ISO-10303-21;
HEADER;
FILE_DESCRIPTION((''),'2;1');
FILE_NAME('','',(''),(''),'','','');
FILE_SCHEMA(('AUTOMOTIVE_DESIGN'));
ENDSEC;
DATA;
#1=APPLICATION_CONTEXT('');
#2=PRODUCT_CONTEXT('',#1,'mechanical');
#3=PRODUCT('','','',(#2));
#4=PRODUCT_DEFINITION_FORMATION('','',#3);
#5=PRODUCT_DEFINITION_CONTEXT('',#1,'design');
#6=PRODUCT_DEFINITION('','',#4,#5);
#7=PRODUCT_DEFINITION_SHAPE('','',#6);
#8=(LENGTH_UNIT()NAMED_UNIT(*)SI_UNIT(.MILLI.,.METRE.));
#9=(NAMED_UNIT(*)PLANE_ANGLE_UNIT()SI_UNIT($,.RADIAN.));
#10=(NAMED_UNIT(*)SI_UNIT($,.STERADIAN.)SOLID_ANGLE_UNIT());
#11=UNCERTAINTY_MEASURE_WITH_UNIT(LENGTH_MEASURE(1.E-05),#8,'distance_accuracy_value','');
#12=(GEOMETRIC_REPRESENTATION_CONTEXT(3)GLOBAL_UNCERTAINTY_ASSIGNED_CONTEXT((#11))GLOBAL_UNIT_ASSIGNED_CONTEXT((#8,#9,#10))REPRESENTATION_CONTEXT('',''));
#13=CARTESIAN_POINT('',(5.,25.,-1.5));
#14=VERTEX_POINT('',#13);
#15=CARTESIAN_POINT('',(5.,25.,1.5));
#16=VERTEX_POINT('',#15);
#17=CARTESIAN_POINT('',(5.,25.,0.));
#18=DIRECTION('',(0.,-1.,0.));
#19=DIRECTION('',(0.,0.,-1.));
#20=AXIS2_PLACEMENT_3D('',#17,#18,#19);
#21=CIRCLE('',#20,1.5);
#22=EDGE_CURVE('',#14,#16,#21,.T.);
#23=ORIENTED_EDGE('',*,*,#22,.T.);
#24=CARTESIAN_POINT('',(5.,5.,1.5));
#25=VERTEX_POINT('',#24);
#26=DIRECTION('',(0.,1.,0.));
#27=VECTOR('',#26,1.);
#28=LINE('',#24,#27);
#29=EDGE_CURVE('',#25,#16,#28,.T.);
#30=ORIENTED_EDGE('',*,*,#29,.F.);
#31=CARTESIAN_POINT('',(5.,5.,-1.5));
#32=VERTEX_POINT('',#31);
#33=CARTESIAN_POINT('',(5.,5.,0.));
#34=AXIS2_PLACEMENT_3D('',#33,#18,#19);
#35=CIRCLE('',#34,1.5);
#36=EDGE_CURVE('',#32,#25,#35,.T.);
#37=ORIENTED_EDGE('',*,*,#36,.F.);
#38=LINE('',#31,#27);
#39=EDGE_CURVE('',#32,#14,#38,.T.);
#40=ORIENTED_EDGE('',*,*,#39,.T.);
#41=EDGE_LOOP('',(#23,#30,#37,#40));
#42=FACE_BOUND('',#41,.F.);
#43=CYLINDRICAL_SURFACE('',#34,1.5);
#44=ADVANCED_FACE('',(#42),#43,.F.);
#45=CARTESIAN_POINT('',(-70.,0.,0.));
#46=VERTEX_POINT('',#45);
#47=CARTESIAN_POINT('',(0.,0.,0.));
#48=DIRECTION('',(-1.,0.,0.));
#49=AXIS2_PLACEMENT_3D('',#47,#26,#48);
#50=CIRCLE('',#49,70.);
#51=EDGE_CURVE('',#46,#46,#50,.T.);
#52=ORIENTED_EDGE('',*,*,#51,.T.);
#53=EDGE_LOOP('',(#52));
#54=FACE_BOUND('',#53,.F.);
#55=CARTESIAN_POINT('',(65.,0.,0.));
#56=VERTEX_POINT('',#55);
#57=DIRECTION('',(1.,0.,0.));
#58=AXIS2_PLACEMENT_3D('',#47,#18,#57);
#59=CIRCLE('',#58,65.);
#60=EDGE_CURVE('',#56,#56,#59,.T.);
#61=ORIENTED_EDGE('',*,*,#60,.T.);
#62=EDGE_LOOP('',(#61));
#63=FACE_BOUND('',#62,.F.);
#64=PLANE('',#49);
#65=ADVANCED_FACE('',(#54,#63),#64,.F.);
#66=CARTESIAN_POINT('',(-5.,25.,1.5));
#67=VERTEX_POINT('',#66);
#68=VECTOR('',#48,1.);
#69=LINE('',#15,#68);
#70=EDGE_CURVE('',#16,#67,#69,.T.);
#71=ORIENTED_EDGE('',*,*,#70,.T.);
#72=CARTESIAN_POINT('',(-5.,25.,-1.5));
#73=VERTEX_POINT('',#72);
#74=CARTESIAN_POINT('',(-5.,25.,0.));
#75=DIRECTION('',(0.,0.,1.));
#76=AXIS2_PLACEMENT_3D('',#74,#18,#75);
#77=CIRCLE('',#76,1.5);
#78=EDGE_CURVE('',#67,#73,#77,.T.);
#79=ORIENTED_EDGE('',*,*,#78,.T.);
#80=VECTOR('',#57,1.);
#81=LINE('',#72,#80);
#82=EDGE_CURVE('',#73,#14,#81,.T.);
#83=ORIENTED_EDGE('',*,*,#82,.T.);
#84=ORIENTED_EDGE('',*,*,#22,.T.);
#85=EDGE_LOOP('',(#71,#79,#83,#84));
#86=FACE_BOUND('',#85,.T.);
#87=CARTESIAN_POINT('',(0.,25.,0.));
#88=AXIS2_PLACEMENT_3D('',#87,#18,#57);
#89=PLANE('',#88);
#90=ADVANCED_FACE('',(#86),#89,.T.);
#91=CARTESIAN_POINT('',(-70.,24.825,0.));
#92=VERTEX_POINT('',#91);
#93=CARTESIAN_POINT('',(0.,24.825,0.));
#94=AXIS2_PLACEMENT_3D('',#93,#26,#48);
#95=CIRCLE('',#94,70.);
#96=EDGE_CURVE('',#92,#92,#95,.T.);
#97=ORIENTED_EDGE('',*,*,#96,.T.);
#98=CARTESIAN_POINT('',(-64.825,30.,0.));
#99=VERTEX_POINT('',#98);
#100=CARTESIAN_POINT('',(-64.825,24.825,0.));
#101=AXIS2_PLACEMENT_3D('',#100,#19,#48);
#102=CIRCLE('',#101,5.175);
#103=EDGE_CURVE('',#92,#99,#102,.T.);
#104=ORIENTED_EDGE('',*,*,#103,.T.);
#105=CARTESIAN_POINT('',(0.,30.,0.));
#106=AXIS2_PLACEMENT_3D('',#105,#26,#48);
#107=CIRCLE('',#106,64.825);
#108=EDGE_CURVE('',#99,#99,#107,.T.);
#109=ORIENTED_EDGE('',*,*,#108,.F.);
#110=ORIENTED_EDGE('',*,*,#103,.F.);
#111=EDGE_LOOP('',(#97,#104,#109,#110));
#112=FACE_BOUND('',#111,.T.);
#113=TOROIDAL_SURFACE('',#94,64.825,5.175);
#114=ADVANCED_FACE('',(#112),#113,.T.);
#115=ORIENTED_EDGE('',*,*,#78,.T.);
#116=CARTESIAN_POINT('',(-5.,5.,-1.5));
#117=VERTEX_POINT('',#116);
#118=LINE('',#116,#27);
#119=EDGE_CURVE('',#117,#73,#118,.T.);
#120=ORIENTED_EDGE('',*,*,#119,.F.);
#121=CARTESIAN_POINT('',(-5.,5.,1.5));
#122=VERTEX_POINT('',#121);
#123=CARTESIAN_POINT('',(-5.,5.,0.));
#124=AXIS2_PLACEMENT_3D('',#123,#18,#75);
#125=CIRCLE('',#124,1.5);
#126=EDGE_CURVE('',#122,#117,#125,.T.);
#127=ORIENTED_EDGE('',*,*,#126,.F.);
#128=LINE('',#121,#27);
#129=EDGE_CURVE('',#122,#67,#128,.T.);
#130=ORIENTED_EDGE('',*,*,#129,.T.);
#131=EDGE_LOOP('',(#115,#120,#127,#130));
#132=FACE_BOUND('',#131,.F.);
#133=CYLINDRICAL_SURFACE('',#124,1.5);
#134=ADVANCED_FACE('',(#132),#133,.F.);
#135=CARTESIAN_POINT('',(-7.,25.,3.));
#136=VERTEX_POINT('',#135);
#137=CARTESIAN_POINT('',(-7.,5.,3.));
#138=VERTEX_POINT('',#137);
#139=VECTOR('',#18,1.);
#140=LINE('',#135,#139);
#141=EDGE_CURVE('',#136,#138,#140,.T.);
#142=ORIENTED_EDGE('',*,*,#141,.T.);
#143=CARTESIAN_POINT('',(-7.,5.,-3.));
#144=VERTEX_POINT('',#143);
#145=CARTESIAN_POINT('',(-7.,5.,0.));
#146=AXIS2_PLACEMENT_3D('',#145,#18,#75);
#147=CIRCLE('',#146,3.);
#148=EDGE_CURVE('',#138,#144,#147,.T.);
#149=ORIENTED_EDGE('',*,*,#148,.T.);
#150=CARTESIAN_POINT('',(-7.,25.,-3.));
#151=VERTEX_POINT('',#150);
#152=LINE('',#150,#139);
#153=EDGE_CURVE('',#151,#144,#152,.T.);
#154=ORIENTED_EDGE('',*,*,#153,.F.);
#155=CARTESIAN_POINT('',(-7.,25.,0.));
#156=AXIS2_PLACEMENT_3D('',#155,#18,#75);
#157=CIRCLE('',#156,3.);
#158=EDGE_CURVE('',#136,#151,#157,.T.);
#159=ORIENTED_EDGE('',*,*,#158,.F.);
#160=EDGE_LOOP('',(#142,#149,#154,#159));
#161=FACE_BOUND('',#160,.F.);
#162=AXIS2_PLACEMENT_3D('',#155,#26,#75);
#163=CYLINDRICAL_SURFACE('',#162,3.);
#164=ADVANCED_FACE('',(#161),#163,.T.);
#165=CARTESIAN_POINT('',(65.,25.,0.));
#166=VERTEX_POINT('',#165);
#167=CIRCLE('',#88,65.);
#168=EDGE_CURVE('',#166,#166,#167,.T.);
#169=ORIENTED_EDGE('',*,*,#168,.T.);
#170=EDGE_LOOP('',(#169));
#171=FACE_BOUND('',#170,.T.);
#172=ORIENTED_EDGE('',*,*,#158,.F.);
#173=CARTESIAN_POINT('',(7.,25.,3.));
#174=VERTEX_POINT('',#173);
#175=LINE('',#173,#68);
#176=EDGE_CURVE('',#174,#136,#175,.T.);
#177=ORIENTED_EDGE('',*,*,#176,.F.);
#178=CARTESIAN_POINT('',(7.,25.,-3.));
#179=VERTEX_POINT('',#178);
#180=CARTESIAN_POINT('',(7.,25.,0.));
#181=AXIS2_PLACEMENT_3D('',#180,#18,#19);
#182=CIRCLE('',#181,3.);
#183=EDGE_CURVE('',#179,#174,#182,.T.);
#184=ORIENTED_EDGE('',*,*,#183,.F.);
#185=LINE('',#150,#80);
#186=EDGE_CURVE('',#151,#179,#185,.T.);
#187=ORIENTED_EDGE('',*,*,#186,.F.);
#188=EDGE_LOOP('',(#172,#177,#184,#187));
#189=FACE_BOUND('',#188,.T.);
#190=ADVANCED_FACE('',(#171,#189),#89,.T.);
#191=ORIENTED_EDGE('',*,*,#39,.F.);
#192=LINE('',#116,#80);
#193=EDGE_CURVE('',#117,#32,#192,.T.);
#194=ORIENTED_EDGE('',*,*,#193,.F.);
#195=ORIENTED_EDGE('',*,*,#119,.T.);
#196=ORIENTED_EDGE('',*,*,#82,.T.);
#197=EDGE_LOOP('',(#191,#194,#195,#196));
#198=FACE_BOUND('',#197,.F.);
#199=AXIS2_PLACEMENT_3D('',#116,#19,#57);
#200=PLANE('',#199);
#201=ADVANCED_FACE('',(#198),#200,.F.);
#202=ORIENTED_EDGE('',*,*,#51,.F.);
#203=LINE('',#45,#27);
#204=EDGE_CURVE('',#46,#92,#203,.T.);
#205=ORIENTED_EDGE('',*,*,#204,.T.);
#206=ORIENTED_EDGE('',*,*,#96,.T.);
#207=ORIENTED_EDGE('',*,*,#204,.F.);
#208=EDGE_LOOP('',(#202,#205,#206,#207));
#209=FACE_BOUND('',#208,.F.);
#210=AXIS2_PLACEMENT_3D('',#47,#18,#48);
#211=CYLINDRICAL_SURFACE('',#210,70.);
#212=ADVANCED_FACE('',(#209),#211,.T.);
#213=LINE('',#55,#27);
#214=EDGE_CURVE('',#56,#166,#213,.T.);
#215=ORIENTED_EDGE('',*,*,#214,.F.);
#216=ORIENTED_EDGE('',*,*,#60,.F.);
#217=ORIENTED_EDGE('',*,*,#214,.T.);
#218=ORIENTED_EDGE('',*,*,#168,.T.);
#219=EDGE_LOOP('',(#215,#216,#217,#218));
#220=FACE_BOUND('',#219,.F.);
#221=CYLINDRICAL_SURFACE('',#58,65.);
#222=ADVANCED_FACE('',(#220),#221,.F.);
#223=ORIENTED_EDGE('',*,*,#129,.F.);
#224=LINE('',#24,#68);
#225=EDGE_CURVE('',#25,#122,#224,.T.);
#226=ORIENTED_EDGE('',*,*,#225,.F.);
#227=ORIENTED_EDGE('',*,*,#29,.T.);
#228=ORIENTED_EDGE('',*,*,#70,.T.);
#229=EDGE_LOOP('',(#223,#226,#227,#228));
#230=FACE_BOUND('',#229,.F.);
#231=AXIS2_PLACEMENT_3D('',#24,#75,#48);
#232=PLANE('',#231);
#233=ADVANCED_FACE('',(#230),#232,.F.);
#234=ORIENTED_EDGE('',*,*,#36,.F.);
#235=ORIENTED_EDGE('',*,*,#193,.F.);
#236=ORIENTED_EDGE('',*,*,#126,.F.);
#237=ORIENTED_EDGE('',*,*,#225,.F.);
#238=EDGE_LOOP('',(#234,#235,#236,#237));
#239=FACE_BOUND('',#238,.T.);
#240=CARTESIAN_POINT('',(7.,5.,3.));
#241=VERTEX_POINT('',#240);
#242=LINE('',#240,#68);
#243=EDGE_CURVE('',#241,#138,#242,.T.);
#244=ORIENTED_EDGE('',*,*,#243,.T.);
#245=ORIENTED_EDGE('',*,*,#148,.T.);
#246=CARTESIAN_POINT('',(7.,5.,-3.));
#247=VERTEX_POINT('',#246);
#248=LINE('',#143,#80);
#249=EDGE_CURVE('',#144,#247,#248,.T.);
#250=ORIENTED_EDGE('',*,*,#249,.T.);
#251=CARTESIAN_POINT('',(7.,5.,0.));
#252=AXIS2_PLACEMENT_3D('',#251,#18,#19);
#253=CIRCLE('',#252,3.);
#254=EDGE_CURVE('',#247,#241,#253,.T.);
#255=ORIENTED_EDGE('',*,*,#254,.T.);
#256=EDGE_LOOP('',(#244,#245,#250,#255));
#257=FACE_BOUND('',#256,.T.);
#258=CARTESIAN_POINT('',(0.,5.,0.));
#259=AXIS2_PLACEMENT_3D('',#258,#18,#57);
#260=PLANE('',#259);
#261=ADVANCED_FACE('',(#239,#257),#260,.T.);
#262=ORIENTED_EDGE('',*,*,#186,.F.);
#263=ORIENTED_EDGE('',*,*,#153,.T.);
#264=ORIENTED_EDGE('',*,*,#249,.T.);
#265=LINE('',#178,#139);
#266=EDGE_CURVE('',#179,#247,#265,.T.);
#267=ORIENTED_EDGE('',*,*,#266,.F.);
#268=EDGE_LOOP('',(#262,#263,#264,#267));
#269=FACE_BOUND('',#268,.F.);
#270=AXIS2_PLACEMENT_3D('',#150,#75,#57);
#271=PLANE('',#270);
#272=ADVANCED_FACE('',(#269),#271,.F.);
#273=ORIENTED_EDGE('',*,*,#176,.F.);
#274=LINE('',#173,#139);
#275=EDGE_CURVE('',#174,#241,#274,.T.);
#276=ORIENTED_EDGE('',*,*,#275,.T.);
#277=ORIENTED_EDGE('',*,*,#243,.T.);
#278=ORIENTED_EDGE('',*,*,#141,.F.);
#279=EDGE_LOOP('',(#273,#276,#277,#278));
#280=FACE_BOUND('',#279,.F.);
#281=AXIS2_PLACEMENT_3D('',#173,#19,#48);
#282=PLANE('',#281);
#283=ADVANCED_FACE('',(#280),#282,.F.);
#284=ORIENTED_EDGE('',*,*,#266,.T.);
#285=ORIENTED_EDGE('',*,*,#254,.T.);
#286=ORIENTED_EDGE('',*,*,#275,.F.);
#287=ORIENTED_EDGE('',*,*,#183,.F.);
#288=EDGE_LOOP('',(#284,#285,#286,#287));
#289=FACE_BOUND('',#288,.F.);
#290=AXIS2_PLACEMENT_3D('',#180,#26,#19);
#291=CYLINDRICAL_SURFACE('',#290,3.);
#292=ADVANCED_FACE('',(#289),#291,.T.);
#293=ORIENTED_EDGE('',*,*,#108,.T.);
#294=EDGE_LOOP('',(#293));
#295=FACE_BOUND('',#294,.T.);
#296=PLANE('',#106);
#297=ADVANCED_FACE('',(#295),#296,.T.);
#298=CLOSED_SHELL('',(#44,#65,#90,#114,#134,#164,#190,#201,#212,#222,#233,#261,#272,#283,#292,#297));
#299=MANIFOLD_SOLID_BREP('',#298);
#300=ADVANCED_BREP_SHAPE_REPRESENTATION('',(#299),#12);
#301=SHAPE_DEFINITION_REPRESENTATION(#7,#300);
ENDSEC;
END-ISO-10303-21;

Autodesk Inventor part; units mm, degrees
ref_plane "YZ Plane" through (0, 0, 0) normal (1, 0, 0) x (0, 1, 0)
ref_plane "XZ Plane" through (0, 0, 0) normal (0, 1, 0) x (-1, 0, 0)
ref_plane "XY Plane" through (0, 0, 0) normal (0, 0, 1) x (1, 0, 0)
sketch "Sketch1" plane through (0, 0, 0) normal (0, 1, 0) x (-1, 0, 0)
  circle A0 centre (0, 0) radius 70
  dimension "d0" = 140
extrude "Extrusion1" add sketch "Sketch1" along normal blind 30
sketch "Sketch2" plane through (0, 30, 0) normal (0, 1, 0) x (1, 0, 0)
  point P0 (0, 0)
fillet "Fillet1" radius 5.175 1 edges at (70, 30, 0)
sketch "Sketch3" plane through (0, 0, 0) normal (0, -1, 0) x (1, 0, 0)
  circle A0 centre (0, 0) radius 65
  dimension "d4" = 130
extrude "Extrusion2" cut sketch "Sketch3" against normal blind 25
sketch "Sketch5" plane through (0, 25, 0) normal (0, -1, 0) x (1, 0, 0)
  line L0 (-7, 0) -> (7, 0) construction
  line L1 (-7, -3) -> (7, -3)
  line L2 (7, 3) -> (-7, 3)
  arc A0 (-7, 3) -> (-7, -3) centre (-7, 0) ccw
  arc A1 (7, -3) -> (7, 3) centre (7, 0) ccw
  point P0 (0, 0)
  dimension "d11" = 7
  dimension "d12" = 6
extrude "Extrusion4" add sketch "Sketch5" along normal blind 20
sketch "Sketch6" plane through (0, 5, 0) normal (0, -1, 0) x (1, 0, 0)
  line L0 (-5, 0) -> (5, 0) construction
  line L1 (-5, -1.5) -> (5, -1.5)
  line L2 (5, 1.5) -> (-5, 1.5)
  arc A0 (-5, 1.5) -> (-5, -1.5) centre (-5, 0) ccw
  arc A1 (5, -1.5) -> (5, 1.5) centre (5, 0) ccw
  point P0 (0, 0)
  dimension "d15" = 5
  dimension "d16" = 3
extrude "Extrusion5" cut sketch "Sketch6" against normal blind 20
properties part number "Drehplatform_prototyp"
